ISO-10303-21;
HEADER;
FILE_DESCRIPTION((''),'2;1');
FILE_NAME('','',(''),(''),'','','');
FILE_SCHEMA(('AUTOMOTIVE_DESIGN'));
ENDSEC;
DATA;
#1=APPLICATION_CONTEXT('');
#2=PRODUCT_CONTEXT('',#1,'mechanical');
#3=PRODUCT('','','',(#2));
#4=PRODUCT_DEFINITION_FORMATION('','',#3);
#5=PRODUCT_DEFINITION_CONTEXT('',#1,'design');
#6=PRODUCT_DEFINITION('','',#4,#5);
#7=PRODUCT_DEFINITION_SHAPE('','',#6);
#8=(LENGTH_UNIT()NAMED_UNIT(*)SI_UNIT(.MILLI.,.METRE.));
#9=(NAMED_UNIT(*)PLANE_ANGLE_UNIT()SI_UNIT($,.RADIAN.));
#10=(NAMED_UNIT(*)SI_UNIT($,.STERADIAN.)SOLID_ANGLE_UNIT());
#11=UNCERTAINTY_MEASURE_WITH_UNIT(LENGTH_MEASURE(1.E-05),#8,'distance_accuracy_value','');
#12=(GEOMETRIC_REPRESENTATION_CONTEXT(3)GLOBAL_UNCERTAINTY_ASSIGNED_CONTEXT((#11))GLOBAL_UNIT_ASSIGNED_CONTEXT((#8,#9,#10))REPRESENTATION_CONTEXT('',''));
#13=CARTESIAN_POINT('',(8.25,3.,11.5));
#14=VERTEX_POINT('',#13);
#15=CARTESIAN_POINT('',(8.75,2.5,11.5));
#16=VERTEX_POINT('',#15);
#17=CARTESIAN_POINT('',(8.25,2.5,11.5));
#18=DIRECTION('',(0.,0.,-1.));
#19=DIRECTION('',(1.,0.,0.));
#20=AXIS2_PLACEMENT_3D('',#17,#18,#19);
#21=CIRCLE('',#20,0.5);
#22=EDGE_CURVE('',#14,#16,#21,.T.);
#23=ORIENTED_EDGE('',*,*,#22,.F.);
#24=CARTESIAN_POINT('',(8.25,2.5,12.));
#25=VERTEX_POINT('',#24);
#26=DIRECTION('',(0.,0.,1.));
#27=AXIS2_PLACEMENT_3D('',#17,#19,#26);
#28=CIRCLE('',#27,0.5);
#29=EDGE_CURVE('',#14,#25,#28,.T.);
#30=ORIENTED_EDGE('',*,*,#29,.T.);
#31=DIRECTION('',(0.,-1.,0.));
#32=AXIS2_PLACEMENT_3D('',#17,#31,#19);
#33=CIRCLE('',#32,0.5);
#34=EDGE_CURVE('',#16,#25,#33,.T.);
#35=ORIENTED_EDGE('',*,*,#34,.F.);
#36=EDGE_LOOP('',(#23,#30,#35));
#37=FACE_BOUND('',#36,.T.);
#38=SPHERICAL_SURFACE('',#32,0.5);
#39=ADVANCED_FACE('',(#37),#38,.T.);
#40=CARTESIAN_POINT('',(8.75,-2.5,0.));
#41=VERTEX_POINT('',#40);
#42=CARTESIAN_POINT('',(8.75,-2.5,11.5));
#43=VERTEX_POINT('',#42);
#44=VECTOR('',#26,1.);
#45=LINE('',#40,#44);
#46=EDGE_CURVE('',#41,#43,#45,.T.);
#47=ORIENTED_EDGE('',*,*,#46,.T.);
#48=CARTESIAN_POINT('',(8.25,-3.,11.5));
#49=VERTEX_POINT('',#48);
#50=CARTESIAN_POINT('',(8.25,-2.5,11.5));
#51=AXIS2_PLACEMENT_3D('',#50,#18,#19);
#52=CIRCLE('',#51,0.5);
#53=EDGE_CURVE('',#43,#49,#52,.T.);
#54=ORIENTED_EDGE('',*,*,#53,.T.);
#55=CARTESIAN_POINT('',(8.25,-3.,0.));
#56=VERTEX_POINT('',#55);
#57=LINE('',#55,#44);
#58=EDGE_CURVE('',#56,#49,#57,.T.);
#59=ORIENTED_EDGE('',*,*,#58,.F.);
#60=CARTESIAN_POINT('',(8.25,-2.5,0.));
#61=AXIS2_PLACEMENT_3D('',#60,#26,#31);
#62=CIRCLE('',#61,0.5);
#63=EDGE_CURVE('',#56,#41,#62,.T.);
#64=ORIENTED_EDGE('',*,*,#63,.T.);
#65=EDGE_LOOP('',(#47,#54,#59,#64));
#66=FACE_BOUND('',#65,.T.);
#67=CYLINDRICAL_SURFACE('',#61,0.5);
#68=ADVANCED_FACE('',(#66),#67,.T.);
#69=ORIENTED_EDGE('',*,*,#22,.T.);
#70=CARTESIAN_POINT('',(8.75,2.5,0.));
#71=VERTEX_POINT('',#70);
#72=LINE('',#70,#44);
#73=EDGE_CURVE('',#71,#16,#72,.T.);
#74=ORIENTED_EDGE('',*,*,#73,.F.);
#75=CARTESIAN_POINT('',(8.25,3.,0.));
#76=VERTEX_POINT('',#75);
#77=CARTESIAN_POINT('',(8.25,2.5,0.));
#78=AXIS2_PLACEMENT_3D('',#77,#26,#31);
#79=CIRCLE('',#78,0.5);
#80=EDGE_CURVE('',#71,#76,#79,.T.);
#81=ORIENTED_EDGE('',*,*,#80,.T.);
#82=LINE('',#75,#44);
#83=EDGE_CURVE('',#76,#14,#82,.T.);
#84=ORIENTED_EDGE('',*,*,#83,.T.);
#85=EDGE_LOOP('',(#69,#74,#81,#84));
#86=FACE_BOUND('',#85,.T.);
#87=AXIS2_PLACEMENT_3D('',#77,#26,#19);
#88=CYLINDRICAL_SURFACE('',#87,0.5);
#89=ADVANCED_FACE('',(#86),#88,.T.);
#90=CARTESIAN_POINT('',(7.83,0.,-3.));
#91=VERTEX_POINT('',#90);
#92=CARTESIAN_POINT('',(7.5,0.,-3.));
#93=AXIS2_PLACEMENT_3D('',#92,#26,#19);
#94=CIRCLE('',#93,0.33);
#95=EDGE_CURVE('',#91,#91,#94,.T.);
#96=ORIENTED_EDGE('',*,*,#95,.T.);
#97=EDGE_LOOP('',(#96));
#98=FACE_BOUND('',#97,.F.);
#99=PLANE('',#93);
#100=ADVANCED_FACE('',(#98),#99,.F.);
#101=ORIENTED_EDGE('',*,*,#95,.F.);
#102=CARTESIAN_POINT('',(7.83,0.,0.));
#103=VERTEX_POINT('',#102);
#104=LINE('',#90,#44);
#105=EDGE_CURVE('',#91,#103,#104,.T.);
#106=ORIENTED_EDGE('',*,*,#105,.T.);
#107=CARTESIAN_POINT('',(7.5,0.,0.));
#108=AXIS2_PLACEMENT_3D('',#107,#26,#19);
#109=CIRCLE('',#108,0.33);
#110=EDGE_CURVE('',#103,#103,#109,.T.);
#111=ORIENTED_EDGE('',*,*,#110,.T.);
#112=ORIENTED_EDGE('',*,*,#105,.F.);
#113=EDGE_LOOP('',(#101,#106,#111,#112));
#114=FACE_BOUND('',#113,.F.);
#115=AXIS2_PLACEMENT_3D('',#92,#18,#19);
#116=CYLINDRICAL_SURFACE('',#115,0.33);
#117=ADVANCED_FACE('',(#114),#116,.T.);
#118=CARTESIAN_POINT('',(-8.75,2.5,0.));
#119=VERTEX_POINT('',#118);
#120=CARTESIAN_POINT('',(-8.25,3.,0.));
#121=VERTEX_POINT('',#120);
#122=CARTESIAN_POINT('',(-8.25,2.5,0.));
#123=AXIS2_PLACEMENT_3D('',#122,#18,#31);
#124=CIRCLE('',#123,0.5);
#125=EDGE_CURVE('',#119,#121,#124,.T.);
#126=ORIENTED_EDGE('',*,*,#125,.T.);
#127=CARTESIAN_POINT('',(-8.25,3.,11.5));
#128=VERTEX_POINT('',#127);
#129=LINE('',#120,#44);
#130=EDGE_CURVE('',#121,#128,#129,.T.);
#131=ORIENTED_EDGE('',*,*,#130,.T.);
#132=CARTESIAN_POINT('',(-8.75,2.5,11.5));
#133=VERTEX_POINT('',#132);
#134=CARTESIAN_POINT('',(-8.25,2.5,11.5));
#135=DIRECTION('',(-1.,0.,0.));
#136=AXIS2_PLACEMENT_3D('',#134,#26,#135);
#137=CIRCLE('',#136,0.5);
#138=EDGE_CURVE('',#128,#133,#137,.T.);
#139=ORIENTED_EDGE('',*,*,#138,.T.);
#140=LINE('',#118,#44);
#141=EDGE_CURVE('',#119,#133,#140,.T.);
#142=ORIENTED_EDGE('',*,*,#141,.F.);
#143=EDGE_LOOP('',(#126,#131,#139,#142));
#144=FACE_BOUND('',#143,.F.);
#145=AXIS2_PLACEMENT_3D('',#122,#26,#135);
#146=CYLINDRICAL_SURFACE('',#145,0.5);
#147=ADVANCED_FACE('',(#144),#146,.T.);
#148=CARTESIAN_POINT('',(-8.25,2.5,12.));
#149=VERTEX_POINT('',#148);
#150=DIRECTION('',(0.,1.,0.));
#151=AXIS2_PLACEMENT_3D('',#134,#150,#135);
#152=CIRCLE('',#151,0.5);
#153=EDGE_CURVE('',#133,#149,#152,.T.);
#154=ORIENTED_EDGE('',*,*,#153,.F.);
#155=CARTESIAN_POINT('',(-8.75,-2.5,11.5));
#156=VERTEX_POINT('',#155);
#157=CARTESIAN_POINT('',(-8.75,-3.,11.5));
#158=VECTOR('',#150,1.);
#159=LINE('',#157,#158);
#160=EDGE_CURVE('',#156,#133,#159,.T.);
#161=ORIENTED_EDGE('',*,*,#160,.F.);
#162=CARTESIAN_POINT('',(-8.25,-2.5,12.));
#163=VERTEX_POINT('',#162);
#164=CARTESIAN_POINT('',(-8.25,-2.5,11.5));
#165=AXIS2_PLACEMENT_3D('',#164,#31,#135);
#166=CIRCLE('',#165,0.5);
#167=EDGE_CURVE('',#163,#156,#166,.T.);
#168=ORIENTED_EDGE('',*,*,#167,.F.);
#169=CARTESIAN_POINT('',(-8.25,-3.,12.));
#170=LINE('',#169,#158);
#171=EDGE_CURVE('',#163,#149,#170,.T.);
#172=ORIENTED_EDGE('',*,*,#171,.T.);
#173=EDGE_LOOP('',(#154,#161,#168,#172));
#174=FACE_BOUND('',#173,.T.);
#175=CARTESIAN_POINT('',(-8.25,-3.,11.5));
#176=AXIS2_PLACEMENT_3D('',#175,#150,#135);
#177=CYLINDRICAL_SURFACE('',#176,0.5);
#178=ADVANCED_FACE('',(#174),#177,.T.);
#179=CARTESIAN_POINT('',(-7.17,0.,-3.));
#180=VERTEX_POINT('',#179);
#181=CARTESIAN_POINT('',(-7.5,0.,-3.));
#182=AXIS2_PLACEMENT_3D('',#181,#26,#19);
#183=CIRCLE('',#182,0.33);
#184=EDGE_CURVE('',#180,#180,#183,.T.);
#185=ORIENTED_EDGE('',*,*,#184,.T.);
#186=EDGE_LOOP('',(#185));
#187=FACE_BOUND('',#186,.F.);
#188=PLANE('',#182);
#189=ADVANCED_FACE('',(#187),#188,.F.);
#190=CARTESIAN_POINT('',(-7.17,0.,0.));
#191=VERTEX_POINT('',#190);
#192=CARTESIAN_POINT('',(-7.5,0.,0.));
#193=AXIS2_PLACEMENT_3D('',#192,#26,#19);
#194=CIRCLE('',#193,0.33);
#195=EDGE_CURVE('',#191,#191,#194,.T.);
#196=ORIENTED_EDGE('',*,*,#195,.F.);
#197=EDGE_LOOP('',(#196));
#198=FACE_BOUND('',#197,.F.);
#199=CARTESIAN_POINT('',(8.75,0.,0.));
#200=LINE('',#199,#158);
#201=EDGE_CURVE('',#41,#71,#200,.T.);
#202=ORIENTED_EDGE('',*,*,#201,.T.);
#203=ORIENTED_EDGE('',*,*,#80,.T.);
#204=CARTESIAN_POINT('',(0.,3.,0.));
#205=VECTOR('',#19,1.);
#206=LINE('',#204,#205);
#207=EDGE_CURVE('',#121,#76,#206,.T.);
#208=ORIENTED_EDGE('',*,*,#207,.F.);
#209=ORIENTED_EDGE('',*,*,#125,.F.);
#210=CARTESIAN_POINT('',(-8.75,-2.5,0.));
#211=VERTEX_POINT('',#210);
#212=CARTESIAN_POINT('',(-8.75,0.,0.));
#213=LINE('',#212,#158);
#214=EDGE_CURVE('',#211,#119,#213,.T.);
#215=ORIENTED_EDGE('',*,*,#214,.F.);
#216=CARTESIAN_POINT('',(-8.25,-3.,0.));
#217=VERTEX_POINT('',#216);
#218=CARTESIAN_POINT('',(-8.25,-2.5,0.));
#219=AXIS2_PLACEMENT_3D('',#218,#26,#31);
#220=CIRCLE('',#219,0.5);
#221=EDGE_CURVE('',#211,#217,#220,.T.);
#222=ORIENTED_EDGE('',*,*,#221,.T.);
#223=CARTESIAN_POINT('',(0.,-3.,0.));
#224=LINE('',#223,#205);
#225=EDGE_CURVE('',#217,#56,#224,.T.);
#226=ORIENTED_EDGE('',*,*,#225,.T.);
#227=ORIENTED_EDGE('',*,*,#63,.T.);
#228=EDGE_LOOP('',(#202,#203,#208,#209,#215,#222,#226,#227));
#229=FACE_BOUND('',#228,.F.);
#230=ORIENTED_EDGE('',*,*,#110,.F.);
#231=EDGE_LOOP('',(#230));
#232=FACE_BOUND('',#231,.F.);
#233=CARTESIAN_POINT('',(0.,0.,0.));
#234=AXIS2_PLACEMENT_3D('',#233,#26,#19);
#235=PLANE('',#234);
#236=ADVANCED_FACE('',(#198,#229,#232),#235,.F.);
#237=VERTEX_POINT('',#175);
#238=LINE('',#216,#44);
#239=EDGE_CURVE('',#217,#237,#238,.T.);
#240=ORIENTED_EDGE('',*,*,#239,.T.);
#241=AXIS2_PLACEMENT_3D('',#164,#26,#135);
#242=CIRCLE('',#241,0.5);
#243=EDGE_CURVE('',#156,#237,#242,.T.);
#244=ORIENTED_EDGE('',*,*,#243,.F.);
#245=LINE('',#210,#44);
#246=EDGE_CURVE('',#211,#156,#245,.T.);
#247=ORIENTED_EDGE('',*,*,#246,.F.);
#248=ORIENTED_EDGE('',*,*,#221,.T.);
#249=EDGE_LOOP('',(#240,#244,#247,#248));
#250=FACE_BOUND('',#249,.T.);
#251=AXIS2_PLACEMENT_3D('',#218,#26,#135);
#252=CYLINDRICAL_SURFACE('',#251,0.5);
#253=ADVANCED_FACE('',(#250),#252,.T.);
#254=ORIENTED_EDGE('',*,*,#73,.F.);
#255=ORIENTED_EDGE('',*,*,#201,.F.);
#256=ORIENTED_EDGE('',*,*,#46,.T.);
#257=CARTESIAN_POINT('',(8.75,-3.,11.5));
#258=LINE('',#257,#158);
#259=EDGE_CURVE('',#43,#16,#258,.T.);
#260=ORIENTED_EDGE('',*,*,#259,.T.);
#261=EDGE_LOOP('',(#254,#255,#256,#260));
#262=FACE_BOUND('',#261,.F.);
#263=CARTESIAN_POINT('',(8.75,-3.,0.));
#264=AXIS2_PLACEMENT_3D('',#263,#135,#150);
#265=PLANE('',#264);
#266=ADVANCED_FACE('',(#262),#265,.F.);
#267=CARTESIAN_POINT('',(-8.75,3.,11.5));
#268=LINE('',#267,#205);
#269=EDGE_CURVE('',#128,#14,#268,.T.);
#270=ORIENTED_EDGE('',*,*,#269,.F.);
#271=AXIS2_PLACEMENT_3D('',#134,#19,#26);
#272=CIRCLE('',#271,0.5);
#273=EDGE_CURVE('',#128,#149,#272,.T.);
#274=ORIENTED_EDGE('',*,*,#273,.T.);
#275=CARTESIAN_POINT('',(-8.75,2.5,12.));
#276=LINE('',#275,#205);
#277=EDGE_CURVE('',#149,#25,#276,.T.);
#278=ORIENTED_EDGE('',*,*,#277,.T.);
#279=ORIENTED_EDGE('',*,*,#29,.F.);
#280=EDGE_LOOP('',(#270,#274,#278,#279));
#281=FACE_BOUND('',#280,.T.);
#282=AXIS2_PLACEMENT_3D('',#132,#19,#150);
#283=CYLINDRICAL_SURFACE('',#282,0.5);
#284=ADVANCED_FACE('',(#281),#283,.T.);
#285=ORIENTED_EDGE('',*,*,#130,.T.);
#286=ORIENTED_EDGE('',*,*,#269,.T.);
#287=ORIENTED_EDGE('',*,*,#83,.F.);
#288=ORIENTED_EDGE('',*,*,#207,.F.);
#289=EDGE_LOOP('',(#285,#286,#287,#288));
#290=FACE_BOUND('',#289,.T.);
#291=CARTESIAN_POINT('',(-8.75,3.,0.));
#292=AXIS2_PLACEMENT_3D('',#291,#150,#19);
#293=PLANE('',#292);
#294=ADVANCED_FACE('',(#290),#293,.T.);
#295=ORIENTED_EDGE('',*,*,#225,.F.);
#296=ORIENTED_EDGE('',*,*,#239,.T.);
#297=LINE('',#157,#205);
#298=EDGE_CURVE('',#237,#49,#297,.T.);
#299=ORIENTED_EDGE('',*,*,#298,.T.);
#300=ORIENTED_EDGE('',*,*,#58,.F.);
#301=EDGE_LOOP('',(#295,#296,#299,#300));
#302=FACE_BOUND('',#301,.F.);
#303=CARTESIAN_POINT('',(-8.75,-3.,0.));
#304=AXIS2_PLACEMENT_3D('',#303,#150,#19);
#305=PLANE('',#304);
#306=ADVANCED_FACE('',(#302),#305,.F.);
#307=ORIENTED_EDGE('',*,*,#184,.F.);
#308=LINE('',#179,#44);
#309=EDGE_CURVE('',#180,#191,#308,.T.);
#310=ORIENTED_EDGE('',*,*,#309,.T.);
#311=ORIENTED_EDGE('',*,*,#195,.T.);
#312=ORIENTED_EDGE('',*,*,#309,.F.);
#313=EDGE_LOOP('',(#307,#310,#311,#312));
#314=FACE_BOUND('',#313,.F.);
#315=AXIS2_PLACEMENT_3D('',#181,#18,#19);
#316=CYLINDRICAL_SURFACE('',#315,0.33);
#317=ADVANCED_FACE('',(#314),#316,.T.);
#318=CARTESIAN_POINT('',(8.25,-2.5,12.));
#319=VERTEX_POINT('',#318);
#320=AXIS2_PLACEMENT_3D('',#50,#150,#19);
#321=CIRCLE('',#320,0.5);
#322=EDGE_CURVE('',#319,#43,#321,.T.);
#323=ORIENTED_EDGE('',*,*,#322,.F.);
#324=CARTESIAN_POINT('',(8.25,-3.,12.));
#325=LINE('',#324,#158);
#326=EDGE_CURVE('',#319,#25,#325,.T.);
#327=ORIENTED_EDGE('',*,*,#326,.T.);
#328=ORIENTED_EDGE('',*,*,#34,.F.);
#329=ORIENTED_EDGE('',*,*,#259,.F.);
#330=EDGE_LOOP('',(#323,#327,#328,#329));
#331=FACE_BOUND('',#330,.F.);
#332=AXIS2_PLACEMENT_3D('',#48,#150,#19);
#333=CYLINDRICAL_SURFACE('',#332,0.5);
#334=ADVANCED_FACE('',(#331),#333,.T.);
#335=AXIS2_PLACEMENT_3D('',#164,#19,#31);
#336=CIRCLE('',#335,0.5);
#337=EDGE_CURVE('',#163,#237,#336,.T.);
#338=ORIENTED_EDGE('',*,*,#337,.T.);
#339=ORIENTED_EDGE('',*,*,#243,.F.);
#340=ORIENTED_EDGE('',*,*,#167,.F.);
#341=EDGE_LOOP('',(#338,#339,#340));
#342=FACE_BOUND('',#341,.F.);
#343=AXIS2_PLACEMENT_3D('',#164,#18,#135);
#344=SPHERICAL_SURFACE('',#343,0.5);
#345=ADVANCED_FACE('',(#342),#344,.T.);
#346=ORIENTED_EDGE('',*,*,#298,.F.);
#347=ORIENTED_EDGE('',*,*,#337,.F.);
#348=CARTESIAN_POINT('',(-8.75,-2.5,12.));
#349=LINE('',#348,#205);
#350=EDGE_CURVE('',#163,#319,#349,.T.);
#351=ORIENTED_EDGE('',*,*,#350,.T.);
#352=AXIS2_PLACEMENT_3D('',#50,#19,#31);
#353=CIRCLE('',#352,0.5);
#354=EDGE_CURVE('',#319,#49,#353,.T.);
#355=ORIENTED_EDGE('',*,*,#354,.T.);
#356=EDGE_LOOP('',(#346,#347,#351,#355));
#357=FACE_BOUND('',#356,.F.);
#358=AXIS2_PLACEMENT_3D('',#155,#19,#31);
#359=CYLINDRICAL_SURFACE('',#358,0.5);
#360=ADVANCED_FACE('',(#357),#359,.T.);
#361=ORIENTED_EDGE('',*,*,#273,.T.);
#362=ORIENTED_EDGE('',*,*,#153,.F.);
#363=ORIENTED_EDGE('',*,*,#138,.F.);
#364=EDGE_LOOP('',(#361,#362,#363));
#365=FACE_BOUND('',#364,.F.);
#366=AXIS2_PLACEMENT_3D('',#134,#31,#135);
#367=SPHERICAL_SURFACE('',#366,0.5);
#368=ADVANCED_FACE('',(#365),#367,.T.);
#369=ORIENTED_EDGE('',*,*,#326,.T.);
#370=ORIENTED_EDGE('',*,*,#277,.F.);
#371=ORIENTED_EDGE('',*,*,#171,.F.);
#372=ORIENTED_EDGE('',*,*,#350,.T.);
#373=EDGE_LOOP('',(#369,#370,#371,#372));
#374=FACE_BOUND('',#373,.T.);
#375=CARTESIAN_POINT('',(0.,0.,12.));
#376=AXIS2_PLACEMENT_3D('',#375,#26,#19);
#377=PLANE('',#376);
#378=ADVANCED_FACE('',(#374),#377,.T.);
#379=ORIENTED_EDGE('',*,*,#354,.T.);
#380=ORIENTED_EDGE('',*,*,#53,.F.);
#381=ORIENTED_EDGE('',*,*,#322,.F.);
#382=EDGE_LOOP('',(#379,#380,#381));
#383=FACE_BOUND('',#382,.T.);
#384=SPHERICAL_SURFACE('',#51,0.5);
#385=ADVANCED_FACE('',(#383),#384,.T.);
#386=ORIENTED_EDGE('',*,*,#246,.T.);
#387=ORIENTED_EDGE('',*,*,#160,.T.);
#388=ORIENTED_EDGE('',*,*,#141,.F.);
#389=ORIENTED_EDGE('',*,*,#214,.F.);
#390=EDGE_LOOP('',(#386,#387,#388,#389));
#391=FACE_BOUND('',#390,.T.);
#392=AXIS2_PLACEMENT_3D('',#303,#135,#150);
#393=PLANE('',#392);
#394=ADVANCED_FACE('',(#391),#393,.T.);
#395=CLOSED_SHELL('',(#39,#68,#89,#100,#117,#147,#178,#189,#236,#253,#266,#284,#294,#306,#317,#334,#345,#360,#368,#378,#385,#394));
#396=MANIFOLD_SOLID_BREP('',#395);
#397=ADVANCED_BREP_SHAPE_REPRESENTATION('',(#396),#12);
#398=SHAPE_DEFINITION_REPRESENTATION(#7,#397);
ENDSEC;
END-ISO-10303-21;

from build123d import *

# Parameters (mm, degrees)
CYLINDER001_R     = 0.33
CYLINDER001_DEPTH = 3
CYLINDER_R        = 0.33
CYLINDER_DEPTH    = 3
BOX_W             = 17.5
BOX_H             = 6
BOX_DEPTH         = 12
FILLET_R          = 0.5


with BuildPart() as pin2:
    # Cylinder001 → Cylinder001 (new body)
    with BuildSketch(Plane(origin=(7.5, 0, -3), x_dir=(1, 0, 0), z_dir=(0, 0, 1))):
        Circle(CYLINDER001_R)
    extrude(amount=CYLINDER001_DEPTH)


with BuildPart() as pin1:
    # Cylinder → Cylinder (new body)
    with BuildSketch(Plane(origin=(-7.5, 0, -3), x_dir=(1, 0, 0), z_dir=(0, 0, 1))):
        Circle(CYLINDER_R)
    extrude(amount=CYLINDER_DEPTH)


with BuildPart() as caparv1500w60l1750t600h1200:
    # Box → Box (new body)
    with BuildSketch(Plane(origin=(-8.75, -3, 0), x_dir=(1, 0, 0), z_dir=(0, 0, 1))):
        with Locations((8.75, 3)):
            Rectangle(BOX_W, BOX_H)
    extrude(amount=BOX_DEPTH)

    # Fillet
    fillet_edges = [caparv1500w60l1750t600h1200.edges().sort_by_distance(p)[0] for p in [
        (-8.75, -3, 6),
        (-8.75, 0, 12),
        (-8.75, 3, 6),
        (8.75, -3, 6),
        (8.75, 0, 12),
        (8.75, 3, 6),
        (0, -3, 12),
        (0, 3, 12),
    ]]
    fillet(fillet_edges, radius=FILLET_R)

    # Fusion: union Pin1
    add(pin1.part)

    # Fusion001: union Pin2
    add(pin2.part)


solid = caparv1500w60l1750t600h1200.part
